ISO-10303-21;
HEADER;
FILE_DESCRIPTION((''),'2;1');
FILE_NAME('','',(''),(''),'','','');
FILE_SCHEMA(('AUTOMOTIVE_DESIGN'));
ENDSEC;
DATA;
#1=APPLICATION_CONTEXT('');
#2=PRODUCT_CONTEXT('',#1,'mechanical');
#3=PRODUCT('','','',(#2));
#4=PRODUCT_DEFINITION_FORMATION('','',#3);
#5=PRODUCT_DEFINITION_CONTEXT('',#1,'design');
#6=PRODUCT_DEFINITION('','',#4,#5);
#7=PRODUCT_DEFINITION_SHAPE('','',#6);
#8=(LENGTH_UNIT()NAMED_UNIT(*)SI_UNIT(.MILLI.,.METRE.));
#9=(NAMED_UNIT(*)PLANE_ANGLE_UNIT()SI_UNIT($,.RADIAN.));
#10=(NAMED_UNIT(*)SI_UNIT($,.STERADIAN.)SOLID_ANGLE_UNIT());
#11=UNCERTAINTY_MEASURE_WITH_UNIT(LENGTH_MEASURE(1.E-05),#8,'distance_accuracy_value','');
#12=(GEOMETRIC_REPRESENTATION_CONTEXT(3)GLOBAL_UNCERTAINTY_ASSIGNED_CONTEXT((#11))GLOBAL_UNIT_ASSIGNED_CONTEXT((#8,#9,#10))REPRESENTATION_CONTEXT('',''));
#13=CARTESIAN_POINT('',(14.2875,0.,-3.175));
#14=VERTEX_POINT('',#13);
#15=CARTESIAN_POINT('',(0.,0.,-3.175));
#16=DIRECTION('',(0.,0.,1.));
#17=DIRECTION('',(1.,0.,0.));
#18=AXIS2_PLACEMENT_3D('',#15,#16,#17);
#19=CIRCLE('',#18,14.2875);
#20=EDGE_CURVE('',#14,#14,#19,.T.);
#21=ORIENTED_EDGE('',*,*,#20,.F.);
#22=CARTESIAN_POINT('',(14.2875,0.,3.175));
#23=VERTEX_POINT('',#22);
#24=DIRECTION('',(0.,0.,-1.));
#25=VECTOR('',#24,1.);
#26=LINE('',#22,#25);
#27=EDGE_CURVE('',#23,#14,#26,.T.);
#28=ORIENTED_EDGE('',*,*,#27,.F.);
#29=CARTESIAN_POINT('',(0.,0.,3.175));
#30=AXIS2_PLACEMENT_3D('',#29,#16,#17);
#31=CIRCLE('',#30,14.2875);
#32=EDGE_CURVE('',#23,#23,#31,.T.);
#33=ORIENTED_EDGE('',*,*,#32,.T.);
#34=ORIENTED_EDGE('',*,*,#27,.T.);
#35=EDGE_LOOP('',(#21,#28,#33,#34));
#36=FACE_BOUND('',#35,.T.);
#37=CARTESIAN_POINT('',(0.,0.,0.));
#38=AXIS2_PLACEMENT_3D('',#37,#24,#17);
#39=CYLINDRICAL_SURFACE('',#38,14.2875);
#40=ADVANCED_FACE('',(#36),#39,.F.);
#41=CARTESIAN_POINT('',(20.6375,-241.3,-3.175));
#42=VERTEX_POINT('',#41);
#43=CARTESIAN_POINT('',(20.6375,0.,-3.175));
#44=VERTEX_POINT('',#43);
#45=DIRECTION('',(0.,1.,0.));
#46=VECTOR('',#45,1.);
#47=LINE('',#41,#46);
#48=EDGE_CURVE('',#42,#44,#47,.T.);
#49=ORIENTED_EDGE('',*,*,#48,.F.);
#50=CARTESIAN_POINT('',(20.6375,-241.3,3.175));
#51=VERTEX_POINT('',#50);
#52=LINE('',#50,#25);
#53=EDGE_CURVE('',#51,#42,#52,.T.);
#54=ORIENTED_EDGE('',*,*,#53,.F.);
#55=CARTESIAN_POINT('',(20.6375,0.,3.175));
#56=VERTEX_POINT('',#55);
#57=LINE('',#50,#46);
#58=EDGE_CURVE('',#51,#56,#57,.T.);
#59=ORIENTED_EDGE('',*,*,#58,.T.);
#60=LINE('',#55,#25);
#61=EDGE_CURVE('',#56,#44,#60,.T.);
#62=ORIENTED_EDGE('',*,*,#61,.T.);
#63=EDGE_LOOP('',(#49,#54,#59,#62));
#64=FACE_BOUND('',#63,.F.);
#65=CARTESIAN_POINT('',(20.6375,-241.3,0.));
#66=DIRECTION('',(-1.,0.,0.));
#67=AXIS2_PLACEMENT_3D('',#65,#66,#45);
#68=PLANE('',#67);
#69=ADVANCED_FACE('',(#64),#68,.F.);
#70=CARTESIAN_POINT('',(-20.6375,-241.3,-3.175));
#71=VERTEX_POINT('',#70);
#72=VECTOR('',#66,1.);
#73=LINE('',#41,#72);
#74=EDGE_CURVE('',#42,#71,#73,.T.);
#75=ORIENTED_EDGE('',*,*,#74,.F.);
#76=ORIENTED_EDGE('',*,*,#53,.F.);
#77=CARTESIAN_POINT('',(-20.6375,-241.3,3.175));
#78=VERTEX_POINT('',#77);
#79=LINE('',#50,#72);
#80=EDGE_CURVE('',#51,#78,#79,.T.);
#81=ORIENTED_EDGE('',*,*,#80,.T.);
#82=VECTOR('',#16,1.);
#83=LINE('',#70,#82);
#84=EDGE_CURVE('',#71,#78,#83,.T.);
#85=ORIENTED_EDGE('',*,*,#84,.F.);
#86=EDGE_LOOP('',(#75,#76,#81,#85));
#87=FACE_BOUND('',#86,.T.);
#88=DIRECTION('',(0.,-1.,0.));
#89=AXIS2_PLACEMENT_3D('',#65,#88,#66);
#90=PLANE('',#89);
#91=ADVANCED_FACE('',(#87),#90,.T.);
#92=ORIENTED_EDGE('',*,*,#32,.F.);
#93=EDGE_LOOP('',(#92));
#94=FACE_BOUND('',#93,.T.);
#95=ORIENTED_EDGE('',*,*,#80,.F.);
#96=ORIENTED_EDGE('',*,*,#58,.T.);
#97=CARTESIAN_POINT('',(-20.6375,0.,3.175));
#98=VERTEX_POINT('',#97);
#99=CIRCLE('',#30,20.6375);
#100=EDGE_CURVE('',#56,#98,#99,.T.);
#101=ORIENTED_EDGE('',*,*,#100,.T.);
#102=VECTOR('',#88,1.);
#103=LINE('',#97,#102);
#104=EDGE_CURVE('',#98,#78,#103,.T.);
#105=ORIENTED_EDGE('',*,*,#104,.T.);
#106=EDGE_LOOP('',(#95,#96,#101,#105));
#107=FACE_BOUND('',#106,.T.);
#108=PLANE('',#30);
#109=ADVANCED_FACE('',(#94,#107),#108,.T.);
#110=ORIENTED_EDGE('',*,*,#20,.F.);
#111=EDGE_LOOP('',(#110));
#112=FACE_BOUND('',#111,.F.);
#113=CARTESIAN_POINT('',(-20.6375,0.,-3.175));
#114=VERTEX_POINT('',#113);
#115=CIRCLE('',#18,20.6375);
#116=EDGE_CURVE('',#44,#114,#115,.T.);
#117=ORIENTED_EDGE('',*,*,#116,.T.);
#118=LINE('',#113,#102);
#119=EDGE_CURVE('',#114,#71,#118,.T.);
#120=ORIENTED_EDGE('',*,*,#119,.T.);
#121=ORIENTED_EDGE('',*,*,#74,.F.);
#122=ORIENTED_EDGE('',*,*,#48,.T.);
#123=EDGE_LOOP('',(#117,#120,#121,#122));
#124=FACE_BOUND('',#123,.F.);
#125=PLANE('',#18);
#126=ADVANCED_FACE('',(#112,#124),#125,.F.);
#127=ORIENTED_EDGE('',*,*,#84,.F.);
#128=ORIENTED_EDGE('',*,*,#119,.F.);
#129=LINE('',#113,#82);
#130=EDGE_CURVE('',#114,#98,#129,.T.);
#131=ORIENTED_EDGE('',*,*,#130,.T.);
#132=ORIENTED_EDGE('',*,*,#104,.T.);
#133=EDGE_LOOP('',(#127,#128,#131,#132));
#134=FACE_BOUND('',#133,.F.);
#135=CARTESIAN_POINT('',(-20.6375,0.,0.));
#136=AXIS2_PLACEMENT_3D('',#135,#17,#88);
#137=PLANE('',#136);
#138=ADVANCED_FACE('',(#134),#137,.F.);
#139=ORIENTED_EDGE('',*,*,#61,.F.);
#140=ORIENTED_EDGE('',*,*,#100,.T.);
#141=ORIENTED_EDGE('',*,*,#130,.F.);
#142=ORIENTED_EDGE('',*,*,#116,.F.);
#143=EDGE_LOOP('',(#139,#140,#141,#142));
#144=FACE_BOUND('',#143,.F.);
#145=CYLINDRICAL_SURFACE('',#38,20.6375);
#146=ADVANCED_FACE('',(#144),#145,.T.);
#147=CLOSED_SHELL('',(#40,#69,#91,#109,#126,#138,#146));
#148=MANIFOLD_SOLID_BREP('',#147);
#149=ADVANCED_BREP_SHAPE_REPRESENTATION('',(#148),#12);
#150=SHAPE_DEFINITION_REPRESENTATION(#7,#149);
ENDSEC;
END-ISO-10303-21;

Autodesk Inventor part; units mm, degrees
ref_plane "YZ Plane" through (0, 0, 0) normal (1, 0, 0) x (0, 1, 0)
ref_plane "XZ Plane" through (0, 0, 0) normal (0, 1, 0) x (-1, 0, 0)
ref_plane "XY Plane" through (0, 0, 0) normal (0, 0, 1) x (1, 0, 0)
sketch "Sketch1" plane through (0, 0, 0) normal (0, 0, 1) x (1, 0, 0)
  circle A0 centre (0, 0) radius 14.2875
  circle A1 centre (0, 0) radius 20.6375
  line L0 (20.6375, -241.3) -> (-20.6375, -241.3)
  line L1 (-20.6375, 0) -> (-20.6375, -241.3)
  line L2 (20.6375, -241.3) -> (20.6375, 0)
  dimension "d0" = 28.575
  dimension "d1" = 6.35
  dimension "d2" = 241.3
extrude "Extrusion1" add sketch "Sketch1" along normal mid plane 6.35
properties part number "CL2-001" material "Aluminum 6061"
